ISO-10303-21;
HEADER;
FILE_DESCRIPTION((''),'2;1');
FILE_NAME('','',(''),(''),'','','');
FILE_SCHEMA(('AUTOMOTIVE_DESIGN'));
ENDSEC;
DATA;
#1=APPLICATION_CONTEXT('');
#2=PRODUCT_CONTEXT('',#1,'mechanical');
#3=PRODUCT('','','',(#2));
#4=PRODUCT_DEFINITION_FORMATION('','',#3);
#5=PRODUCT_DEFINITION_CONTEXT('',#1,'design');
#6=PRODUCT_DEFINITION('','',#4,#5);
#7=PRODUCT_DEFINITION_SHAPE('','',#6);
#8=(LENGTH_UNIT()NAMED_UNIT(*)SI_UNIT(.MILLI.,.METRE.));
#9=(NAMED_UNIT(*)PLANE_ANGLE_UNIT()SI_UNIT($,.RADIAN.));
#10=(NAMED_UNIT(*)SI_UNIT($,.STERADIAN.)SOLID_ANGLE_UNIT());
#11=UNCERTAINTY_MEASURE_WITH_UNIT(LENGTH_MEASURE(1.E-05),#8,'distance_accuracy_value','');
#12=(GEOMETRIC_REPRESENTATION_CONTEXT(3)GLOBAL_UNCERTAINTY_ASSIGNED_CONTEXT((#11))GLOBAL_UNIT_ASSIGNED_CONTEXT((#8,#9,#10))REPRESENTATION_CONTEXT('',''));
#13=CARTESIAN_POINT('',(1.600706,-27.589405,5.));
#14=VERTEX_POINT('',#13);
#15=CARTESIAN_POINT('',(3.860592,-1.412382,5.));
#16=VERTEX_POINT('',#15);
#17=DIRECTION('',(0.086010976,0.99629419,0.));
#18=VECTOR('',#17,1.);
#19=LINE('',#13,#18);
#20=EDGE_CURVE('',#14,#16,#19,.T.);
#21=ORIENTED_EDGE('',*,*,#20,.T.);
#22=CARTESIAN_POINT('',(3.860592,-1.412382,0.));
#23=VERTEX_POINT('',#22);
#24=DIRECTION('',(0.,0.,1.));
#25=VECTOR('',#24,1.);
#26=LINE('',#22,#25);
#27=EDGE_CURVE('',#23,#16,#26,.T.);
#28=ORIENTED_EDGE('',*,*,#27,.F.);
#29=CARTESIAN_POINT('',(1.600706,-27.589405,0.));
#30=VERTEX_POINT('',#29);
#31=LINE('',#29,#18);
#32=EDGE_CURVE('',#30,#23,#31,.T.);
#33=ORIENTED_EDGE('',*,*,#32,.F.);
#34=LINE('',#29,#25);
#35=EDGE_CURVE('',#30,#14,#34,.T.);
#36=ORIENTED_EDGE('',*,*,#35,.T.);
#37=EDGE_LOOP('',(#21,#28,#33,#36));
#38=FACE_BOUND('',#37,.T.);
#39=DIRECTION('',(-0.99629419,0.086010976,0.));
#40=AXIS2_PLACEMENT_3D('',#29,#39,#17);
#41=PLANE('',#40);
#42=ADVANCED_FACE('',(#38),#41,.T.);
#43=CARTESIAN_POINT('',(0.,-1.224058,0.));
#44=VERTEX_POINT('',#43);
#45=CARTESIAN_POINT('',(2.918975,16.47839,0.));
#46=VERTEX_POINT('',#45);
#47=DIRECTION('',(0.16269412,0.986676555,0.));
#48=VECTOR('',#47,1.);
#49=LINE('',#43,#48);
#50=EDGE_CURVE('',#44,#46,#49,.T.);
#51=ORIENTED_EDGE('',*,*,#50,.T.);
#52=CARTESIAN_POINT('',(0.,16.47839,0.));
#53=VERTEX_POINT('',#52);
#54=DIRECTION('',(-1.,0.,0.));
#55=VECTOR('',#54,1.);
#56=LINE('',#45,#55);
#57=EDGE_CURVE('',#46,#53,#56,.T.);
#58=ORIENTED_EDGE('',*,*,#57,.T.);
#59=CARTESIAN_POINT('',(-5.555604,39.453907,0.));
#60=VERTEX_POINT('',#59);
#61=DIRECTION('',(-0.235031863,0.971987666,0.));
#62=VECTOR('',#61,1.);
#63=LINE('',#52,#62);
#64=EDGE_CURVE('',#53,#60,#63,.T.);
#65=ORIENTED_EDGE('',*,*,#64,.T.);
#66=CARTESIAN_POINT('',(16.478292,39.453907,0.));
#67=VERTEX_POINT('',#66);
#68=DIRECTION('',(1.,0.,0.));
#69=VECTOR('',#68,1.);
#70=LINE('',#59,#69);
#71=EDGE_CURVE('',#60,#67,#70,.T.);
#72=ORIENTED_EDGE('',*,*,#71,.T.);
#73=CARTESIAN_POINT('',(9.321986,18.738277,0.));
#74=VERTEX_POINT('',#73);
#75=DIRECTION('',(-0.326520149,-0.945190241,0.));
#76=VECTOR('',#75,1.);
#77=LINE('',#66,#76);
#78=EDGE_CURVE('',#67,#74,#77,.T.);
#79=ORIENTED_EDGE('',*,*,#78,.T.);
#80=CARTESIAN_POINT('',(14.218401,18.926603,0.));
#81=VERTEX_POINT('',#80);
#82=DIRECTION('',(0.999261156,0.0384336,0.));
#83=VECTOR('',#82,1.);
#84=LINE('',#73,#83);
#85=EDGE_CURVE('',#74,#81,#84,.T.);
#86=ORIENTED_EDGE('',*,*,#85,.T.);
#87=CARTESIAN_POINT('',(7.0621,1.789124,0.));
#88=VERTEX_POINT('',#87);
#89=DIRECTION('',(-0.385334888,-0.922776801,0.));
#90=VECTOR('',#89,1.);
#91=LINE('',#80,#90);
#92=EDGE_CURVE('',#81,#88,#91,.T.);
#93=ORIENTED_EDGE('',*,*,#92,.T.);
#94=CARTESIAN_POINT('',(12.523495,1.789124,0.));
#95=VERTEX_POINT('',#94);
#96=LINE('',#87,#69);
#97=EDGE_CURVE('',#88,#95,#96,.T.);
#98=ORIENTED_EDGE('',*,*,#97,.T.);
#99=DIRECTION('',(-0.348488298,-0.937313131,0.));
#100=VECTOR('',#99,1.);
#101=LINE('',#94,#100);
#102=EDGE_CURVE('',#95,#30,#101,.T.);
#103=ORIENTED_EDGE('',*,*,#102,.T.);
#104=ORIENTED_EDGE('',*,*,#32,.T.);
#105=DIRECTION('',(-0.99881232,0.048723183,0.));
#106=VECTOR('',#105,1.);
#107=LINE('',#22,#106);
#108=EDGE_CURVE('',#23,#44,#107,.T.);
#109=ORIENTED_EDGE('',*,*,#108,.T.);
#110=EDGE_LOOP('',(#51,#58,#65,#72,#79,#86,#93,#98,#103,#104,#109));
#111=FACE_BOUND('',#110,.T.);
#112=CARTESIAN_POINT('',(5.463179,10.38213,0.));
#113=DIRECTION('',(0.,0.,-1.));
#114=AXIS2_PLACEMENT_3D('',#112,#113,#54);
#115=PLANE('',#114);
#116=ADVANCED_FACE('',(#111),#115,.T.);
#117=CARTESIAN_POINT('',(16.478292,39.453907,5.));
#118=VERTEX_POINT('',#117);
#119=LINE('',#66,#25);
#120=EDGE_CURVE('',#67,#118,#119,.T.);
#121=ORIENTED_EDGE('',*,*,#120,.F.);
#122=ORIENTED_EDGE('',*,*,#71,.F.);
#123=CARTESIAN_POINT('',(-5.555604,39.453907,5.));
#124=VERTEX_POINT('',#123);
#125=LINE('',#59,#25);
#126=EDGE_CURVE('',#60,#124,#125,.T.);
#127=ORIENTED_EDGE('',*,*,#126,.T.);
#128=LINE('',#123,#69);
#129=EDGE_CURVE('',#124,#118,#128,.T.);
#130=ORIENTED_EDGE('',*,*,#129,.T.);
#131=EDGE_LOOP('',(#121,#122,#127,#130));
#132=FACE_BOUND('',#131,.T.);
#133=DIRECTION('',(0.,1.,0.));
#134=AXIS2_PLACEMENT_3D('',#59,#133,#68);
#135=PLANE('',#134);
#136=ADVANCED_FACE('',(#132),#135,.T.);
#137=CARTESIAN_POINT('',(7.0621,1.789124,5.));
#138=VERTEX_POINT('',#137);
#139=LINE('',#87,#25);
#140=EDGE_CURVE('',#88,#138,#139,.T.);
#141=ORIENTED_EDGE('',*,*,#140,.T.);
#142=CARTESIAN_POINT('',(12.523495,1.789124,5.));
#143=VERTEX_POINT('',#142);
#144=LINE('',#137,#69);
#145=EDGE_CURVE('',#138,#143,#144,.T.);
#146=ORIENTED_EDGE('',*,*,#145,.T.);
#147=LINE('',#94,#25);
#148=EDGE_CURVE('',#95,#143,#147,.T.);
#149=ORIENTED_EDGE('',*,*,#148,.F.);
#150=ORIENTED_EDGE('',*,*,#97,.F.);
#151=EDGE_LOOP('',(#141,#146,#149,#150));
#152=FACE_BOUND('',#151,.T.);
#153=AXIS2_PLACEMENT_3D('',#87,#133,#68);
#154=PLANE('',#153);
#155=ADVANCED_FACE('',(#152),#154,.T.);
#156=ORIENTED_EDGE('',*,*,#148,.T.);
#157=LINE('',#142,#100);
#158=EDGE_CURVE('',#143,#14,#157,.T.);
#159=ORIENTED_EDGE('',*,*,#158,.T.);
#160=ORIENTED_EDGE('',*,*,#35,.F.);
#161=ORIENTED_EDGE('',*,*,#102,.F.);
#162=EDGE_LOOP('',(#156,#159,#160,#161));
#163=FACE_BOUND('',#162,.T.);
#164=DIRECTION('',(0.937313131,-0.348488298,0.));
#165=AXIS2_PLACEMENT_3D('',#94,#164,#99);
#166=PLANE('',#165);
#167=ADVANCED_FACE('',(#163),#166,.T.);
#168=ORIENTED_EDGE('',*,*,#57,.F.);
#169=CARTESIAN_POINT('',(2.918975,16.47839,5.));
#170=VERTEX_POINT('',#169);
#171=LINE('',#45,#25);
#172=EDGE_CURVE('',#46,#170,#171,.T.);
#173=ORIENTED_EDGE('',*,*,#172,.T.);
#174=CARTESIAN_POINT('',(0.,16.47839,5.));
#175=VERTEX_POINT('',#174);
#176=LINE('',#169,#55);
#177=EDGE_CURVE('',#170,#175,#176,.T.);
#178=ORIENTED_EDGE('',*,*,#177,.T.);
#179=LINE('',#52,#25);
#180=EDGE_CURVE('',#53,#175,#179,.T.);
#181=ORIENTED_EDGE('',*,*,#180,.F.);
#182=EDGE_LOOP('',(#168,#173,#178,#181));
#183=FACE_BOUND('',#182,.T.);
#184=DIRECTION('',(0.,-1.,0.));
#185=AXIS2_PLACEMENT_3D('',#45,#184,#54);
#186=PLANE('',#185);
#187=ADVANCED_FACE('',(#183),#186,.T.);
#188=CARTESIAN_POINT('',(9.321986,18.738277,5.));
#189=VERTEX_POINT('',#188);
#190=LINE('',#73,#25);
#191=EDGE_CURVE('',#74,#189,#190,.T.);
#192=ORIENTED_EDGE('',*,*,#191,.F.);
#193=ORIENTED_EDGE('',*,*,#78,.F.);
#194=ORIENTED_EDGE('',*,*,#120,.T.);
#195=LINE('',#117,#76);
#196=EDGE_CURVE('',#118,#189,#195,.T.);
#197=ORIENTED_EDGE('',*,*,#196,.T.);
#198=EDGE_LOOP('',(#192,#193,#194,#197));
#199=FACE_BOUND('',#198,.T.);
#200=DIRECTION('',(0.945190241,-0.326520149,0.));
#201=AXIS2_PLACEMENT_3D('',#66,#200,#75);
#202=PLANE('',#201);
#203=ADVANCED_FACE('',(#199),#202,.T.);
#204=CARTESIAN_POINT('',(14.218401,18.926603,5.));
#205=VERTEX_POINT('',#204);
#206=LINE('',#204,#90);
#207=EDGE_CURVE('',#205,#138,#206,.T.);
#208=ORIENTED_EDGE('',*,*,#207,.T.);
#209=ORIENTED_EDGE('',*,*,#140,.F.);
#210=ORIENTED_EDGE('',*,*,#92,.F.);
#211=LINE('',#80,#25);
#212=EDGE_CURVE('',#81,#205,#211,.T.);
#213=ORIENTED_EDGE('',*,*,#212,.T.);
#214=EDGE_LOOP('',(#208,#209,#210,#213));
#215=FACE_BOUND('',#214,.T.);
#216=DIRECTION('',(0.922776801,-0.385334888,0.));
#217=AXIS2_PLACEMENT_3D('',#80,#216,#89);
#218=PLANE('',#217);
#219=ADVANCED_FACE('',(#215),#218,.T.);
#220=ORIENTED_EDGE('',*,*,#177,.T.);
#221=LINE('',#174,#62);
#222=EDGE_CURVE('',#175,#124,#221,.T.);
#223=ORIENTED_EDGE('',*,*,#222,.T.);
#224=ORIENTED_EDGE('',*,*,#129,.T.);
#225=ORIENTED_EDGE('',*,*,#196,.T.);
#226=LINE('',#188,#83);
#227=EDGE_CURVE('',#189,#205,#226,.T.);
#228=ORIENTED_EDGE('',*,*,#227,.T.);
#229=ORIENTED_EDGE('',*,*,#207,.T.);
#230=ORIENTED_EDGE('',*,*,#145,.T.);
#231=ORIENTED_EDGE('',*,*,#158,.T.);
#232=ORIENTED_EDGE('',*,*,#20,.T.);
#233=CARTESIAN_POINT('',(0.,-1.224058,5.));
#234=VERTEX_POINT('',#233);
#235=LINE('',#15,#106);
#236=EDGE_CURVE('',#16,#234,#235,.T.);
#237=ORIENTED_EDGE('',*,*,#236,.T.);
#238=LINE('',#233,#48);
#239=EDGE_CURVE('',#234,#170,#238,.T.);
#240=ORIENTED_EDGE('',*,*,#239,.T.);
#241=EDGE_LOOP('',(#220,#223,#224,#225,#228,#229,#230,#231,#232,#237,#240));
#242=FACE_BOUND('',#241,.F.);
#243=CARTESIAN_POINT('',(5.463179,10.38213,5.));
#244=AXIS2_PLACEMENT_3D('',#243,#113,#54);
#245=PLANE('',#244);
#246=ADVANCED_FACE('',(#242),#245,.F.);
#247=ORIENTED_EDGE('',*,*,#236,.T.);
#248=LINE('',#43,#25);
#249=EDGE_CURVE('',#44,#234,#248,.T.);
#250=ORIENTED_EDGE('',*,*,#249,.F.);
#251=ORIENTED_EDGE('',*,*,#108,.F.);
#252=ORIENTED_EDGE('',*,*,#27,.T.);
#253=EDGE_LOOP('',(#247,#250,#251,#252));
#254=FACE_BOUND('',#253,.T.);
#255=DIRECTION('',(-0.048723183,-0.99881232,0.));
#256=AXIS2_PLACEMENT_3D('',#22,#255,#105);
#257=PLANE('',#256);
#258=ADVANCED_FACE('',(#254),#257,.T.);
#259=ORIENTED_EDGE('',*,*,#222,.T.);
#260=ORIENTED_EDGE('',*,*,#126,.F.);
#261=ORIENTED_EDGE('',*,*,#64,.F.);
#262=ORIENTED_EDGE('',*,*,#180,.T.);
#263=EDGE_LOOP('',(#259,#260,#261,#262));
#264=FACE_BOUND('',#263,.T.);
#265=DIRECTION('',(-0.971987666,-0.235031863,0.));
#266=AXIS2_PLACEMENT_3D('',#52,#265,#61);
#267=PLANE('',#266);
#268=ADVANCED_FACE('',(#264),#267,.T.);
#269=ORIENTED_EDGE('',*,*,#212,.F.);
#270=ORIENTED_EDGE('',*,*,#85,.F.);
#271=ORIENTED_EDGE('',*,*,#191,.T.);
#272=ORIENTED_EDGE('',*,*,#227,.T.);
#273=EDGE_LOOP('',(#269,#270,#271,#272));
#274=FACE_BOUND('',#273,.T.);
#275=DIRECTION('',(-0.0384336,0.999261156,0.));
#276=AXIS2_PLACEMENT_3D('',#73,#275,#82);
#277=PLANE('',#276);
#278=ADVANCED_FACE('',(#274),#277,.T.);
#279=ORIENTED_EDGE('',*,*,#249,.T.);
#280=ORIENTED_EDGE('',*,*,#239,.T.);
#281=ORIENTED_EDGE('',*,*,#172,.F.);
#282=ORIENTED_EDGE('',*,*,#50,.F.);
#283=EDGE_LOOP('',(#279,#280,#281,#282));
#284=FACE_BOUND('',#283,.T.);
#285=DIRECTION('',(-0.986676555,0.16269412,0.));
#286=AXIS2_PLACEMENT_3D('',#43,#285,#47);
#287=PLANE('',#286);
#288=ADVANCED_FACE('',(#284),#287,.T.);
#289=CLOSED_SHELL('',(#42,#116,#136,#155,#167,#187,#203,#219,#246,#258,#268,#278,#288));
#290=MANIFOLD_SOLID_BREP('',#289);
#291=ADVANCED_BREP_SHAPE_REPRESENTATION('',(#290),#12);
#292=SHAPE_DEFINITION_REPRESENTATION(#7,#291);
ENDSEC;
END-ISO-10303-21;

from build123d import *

# Parameters (mm, degrees)
PAD_DEPTH = 5


with BuildPart() as part:
    # Sketch → Pad (new body)
    with BuildSketch(Plane.XY):
        Polygon((-5.555604, 39.453907), (16.478292, 39.453907), (9.321986, 18.738277), (14.218401, 18.926603), (7.0621, 1.789124), (12.523495, 1.789124), (1.600706, -27.589405), (3.860592, -1.412382), (0, -1.224058), (2.918975, 16.47839), (0, 16.47839), align=None)
    extrude(amount=PAD_DEPTH)


solid = part.part
